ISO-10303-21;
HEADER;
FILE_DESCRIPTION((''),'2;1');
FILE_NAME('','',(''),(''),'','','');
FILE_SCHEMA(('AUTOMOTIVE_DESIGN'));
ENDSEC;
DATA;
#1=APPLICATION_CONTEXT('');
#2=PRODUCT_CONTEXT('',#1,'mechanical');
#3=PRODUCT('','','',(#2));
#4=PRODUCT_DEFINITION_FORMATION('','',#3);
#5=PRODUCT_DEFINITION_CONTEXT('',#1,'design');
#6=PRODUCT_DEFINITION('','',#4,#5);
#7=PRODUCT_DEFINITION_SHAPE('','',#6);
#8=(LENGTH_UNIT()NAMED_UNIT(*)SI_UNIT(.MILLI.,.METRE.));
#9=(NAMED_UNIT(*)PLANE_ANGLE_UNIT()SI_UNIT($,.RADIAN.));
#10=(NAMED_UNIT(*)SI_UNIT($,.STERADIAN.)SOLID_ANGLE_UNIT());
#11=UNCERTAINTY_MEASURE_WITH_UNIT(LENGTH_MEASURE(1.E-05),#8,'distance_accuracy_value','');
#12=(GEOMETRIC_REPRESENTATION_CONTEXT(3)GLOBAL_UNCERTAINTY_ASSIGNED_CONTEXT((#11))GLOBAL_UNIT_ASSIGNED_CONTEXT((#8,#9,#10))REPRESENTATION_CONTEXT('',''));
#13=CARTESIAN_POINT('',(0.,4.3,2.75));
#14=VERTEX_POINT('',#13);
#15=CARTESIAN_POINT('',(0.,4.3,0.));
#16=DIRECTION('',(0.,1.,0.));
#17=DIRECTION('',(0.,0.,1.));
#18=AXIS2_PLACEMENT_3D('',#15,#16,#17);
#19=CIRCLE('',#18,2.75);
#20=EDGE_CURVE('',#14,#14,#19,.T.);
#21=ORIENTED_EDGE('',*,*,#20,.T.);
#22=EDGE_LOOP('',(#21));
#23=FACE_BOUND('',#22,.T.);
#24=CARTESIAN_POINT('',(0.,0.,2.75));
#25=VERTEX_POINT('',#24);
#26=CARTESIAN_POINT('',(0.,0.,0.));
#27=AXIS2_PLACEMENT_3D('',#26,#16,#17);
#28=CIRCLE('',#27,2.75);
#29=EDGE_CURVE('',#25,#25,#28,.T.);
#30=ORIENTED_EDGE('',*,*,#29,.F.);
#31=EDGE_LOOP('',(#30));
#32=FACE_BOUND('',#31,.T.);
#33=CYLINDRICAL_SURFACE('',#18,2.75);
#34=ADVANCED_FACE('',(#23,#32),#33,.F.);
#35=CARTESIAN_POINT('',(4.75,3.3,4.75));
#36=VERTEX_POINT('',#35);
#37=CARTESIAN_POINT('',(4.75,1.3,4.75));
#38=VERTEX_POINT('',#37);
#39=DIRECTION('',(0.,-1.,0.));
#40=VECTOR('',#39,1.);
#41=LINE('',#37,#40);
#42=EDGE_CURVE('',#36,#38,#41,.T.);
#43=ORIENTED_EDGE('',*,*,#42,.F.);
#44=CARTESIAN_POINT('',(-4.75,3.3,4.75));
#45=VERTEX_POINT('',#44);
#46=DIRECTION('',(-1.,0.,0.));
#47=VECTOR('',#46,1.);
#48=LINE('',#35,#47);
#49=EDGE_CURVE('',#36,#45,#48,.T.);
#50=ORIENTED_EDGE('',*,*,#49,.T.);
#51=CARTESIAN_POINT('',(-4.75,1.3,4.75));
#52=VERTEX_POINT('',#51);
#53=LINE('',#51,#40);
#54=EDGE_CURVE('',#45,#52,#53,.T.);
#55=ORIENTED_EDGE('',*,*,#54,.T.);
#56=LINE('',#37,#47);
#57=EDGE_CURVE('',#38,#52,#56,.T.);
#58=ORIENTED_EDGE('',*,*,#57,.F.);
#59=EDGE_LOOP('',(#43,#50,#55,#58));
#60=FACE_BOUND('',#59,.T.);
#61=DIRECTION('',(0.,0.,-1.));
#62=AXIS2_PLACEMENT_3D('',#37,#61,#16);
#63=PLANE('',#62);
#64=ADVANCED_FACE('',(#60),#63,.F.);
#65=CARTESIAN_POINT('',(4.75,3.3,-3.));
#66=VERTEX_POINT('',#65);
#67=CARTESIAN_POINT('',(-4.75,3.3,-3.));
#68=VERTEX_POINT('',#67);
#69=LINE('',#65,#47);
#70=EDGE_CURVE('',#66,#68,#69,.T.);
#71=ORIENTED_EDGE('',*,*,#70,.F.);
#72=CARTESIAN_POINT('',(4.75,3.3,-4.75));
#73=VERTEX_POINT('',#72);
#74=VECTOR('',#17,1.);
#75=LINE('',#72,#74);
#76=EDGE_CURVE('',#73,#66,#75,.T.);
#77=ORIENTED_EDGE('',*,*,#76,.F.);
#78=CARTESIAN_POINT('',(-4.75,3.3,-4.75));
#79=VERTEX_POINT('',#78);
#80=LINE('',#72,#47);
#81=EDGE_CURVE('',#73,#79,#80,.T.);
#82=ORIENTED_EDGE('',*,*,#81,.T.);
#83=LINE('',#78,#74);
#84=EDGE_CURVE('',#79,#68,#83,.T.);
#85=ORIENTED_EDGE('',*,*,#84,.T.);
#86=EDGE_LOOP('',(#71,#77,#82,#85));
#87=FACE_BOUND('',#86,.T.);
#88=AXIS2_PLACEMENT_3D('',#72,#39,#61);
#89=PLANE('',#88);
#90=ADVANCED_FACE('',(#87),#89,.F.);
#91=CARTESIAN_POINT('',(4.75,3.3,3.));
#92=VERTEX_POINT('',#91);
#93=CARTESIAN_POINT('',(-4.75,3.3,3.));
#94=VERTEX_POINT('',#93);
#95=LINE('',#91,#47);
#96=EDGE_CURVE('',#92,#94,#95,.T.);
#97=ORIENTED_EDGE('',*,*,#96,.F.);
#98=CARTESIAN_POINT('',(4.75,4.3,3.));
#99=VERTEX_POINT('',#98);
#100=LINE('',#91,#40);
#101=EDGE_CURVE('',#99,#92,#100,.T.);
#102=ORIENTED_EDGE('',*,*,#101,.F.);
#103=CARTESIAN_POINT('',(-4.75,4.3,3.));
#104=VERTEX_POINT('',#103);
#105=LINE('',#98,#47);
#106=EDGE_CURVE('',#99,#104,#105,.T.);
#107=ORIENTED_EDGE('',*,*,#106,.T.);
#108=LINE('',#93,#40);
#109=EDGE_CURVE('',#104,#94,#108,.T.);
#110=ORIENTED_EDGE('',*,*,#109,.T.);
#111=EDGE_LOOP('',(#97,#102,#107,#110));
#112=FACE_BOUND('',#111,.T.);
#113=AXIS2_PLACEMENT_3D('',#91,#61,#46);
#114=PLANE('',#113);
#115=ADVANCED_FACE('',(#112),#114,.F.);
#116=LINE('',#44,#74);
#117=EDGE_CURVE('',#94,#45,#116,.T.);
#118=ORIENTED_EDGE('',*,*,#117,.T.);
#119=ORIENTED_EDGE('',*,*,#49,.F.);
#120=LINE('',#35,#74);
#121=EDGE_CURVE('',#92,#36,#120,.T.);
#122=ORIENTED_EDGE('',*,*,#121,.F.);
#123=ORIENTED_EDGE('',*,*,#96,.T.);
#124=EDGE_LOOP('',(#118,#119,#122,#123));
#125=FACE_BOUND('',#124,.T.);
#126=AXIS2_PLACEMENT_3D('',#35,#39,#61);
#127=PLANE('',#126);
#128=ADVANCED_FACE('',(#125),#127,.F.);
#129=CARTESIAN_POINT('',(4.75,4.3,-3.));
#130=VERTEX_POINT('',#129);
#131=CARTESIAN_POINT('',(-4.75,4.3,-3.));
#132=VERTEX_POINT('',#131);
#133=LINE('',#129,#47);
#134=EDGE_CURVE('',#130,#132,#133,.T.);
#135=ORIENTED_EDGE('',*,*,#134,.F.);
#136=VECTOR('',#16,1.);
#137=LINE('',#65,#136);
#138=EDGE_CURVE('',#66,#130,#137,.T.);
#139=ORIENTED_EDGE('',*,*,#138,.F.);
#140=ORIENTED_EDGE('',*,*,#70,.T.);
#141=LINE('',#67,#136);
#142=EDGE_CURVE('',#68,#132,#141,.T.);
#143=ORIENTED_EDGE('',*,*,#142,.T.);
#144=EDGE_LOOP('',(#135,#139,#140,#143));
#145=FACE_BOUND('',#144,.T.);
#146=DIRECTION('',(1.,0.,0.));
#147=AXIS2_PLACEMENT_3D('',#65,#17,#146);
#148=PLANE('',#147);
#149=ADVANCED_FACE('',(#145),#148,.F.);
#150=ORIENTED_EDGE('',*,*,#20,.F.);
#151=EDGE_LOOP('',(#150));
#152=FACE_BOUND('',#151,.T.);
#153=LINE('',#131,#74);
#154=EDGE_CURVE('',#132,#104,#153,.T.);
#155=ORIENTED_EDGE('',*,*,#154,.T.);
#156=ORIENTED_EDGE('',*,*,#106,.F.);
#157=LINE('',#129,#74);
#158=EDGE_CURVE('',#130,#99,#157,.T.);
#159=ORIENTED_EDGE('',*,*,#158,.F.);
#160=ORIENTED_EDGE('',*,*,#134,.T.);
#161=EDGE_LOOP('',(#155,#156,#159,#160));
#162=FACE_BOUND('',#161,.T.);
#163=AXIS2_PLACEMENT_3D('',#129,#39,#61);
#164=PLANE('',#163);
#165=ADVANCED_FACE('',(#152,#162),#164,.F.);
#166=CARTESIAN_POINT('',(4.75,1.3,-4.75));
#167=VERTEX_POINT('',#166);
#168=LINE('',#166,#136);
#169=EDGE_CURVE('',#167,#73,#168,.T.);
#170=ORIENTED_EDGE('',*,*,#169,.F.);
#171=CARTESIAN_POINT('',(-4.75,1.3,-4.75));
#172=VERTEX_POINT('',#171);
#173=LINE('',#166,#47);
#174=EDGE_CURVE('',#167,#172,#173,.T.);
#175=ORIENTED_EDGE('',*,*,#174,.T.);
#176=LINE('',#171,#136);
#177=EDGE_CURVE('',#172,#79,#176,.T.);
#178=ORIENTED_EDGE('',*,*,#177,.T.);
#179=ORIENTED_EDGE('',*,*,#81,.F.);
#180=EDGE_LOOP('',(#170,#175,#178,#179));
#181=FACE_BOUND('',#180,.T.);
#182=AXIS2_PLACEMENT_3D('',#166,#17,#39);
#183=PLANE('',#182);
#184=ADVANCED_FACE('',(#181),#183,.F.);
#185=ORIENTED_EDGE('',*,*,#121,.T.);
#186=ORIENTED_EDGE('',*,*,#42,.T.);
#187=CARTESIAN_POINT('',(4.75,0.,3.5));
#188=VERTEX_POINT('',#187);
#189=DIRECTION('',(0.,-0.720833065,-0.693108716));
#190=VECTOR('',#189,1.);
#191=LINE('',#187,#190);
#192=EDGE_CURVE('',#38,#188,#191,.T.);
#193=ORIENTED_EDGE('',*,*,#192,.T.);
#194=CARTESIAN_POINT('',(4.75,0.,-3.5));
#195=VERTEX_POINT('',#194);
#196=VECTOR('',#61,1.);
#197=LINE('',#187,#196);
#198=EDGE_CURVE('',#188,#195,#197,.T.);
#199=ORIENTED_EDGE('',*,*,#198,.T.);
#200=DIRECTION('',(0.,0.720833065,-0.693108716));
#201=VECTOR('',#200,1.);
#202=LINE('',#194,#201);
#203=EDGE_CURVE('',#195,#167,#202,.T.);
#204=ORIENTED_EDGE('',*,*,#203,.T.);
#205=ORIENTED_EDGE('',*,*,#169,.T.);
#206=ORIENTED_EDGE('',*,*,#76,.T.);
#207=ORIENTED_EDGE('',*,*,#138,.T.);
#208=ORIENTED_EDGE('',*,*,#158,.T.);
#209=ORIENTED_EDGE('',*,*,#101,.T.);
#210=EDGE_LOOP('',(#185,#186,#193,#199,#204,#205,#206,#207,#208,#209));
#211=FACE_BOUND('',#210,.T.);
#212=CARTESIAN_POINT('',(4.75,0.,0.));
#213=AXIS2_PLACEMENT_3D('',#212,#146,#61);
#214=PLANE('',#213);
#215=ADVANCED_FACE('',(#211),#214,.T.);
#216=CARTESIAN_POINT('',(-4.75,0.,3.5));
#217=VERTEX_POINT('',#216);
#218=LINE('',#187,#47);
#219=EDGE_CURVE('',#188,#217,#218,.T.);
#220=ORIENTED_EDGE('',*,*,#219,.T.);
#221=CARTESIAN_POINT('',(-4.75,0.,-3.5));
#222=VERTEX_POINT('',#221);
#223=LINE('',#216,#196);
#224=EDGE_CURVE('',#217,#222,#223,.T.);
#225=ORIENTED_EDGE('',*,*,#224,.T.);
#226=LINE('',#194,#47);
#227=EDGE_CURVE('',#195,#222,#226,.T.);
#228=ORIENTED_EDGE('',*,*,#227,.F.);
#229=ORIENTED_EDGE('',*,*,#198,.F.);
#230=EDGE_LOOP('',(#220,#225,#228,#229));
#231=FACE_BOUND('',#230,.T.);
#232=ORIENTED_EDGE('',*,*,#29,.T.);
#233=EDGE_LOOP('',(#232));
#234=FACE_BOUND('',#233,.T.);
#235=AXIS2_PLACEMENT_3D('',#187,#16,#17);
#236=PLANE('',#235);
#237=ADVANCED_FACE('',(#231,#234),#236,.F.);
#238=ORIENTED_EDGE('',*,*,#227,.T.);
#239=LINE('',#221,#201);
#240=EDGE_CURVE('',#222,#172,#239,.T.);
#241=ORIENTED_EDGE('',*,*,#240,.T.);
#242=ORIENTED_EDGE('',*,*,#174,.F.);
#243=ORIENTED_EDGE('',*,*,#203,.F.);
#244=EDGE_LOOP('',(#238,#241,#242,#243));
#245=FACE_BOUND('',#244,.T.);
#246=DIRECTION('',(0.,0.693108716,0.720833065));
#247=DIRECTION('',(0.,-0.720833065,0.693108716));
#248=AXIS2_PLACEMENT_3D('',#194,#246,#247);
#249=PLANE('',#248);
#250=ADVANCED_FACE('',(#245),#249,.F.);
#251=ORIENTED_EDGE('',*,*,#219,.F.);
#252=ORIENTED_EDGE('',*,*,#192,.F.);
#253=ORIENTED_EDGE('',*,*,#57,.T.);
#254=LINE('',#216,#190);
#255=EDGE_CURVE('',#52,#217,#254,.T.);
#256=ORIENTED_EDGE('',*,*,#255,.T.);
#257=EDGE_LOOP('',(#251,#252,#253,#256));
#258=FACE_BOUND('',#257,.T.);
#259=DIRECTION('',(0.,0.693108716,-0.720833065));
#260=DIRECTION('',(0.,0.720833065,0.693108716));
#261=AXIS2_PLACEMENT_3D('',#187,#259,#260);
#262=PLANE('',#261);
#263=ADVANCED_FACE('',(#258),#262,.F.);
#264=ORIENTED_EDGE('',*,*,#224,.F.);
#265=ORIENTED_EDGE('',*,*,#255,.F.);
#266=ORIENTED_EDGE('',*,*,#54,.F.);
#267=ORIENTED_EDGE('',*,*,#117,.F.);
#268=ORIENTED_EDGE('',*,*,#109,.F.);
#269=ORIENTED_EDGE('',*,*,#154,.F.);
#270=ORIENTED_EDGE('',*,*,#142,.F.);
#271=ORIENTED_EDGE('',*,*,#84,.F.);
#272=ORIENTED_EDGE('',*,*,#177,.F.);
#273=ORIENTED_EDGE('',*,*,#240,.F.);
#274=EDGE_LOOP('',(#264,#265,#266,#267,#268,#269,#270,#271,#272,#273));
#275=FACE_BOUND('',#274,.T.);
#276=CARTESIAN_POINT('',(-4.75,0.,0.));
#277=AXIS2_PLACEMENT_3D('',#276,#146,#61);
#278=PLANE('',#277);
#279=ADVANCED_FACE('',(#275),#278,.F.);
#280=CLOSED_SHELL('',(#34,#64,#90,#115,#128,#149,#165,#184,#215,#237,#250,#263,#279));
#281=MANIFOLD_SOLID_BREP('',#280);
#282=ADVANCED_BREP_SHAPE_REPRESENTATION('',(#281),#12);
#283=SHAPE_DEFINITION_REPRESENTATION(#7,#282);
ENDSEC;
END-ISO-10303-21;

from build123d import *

# Parameters (mm, degrees)
BODY_DEPTH           = 4.75
M5_CLEARANCE_HOLE1_D = 5.5


with BuildPart() as part:
    # Sketch1 → Body (new, symmetric)
    with BuildSketch(Plane(origin=(0, 0, 0), x_dir=(0, 0, -1), z_dir=(1, 0, 0))):
        Polygon((-3.5, 0), (3.5, 0), (4.75, 1.3), (4.75, 3.3), (3, 3.3), (3, 4.3), (-3, 4.3), (-3, 3.3), (-4.75, 3.3), (-4.75, 1.3), align=None)
    extrude(amount=BODY_DEPTH, both=True)

    # M5 Clearance Hole1 (through all)
    with Locations(Plane(origin=(0, 4.3, 0), x_dir=(1, 0, 0), z_dir=(0, 1, 0))):
        with Locations((0, 0)):
            Hole(M5_CLEARANCE_HOLE1_D / 2)


solid = part.part
